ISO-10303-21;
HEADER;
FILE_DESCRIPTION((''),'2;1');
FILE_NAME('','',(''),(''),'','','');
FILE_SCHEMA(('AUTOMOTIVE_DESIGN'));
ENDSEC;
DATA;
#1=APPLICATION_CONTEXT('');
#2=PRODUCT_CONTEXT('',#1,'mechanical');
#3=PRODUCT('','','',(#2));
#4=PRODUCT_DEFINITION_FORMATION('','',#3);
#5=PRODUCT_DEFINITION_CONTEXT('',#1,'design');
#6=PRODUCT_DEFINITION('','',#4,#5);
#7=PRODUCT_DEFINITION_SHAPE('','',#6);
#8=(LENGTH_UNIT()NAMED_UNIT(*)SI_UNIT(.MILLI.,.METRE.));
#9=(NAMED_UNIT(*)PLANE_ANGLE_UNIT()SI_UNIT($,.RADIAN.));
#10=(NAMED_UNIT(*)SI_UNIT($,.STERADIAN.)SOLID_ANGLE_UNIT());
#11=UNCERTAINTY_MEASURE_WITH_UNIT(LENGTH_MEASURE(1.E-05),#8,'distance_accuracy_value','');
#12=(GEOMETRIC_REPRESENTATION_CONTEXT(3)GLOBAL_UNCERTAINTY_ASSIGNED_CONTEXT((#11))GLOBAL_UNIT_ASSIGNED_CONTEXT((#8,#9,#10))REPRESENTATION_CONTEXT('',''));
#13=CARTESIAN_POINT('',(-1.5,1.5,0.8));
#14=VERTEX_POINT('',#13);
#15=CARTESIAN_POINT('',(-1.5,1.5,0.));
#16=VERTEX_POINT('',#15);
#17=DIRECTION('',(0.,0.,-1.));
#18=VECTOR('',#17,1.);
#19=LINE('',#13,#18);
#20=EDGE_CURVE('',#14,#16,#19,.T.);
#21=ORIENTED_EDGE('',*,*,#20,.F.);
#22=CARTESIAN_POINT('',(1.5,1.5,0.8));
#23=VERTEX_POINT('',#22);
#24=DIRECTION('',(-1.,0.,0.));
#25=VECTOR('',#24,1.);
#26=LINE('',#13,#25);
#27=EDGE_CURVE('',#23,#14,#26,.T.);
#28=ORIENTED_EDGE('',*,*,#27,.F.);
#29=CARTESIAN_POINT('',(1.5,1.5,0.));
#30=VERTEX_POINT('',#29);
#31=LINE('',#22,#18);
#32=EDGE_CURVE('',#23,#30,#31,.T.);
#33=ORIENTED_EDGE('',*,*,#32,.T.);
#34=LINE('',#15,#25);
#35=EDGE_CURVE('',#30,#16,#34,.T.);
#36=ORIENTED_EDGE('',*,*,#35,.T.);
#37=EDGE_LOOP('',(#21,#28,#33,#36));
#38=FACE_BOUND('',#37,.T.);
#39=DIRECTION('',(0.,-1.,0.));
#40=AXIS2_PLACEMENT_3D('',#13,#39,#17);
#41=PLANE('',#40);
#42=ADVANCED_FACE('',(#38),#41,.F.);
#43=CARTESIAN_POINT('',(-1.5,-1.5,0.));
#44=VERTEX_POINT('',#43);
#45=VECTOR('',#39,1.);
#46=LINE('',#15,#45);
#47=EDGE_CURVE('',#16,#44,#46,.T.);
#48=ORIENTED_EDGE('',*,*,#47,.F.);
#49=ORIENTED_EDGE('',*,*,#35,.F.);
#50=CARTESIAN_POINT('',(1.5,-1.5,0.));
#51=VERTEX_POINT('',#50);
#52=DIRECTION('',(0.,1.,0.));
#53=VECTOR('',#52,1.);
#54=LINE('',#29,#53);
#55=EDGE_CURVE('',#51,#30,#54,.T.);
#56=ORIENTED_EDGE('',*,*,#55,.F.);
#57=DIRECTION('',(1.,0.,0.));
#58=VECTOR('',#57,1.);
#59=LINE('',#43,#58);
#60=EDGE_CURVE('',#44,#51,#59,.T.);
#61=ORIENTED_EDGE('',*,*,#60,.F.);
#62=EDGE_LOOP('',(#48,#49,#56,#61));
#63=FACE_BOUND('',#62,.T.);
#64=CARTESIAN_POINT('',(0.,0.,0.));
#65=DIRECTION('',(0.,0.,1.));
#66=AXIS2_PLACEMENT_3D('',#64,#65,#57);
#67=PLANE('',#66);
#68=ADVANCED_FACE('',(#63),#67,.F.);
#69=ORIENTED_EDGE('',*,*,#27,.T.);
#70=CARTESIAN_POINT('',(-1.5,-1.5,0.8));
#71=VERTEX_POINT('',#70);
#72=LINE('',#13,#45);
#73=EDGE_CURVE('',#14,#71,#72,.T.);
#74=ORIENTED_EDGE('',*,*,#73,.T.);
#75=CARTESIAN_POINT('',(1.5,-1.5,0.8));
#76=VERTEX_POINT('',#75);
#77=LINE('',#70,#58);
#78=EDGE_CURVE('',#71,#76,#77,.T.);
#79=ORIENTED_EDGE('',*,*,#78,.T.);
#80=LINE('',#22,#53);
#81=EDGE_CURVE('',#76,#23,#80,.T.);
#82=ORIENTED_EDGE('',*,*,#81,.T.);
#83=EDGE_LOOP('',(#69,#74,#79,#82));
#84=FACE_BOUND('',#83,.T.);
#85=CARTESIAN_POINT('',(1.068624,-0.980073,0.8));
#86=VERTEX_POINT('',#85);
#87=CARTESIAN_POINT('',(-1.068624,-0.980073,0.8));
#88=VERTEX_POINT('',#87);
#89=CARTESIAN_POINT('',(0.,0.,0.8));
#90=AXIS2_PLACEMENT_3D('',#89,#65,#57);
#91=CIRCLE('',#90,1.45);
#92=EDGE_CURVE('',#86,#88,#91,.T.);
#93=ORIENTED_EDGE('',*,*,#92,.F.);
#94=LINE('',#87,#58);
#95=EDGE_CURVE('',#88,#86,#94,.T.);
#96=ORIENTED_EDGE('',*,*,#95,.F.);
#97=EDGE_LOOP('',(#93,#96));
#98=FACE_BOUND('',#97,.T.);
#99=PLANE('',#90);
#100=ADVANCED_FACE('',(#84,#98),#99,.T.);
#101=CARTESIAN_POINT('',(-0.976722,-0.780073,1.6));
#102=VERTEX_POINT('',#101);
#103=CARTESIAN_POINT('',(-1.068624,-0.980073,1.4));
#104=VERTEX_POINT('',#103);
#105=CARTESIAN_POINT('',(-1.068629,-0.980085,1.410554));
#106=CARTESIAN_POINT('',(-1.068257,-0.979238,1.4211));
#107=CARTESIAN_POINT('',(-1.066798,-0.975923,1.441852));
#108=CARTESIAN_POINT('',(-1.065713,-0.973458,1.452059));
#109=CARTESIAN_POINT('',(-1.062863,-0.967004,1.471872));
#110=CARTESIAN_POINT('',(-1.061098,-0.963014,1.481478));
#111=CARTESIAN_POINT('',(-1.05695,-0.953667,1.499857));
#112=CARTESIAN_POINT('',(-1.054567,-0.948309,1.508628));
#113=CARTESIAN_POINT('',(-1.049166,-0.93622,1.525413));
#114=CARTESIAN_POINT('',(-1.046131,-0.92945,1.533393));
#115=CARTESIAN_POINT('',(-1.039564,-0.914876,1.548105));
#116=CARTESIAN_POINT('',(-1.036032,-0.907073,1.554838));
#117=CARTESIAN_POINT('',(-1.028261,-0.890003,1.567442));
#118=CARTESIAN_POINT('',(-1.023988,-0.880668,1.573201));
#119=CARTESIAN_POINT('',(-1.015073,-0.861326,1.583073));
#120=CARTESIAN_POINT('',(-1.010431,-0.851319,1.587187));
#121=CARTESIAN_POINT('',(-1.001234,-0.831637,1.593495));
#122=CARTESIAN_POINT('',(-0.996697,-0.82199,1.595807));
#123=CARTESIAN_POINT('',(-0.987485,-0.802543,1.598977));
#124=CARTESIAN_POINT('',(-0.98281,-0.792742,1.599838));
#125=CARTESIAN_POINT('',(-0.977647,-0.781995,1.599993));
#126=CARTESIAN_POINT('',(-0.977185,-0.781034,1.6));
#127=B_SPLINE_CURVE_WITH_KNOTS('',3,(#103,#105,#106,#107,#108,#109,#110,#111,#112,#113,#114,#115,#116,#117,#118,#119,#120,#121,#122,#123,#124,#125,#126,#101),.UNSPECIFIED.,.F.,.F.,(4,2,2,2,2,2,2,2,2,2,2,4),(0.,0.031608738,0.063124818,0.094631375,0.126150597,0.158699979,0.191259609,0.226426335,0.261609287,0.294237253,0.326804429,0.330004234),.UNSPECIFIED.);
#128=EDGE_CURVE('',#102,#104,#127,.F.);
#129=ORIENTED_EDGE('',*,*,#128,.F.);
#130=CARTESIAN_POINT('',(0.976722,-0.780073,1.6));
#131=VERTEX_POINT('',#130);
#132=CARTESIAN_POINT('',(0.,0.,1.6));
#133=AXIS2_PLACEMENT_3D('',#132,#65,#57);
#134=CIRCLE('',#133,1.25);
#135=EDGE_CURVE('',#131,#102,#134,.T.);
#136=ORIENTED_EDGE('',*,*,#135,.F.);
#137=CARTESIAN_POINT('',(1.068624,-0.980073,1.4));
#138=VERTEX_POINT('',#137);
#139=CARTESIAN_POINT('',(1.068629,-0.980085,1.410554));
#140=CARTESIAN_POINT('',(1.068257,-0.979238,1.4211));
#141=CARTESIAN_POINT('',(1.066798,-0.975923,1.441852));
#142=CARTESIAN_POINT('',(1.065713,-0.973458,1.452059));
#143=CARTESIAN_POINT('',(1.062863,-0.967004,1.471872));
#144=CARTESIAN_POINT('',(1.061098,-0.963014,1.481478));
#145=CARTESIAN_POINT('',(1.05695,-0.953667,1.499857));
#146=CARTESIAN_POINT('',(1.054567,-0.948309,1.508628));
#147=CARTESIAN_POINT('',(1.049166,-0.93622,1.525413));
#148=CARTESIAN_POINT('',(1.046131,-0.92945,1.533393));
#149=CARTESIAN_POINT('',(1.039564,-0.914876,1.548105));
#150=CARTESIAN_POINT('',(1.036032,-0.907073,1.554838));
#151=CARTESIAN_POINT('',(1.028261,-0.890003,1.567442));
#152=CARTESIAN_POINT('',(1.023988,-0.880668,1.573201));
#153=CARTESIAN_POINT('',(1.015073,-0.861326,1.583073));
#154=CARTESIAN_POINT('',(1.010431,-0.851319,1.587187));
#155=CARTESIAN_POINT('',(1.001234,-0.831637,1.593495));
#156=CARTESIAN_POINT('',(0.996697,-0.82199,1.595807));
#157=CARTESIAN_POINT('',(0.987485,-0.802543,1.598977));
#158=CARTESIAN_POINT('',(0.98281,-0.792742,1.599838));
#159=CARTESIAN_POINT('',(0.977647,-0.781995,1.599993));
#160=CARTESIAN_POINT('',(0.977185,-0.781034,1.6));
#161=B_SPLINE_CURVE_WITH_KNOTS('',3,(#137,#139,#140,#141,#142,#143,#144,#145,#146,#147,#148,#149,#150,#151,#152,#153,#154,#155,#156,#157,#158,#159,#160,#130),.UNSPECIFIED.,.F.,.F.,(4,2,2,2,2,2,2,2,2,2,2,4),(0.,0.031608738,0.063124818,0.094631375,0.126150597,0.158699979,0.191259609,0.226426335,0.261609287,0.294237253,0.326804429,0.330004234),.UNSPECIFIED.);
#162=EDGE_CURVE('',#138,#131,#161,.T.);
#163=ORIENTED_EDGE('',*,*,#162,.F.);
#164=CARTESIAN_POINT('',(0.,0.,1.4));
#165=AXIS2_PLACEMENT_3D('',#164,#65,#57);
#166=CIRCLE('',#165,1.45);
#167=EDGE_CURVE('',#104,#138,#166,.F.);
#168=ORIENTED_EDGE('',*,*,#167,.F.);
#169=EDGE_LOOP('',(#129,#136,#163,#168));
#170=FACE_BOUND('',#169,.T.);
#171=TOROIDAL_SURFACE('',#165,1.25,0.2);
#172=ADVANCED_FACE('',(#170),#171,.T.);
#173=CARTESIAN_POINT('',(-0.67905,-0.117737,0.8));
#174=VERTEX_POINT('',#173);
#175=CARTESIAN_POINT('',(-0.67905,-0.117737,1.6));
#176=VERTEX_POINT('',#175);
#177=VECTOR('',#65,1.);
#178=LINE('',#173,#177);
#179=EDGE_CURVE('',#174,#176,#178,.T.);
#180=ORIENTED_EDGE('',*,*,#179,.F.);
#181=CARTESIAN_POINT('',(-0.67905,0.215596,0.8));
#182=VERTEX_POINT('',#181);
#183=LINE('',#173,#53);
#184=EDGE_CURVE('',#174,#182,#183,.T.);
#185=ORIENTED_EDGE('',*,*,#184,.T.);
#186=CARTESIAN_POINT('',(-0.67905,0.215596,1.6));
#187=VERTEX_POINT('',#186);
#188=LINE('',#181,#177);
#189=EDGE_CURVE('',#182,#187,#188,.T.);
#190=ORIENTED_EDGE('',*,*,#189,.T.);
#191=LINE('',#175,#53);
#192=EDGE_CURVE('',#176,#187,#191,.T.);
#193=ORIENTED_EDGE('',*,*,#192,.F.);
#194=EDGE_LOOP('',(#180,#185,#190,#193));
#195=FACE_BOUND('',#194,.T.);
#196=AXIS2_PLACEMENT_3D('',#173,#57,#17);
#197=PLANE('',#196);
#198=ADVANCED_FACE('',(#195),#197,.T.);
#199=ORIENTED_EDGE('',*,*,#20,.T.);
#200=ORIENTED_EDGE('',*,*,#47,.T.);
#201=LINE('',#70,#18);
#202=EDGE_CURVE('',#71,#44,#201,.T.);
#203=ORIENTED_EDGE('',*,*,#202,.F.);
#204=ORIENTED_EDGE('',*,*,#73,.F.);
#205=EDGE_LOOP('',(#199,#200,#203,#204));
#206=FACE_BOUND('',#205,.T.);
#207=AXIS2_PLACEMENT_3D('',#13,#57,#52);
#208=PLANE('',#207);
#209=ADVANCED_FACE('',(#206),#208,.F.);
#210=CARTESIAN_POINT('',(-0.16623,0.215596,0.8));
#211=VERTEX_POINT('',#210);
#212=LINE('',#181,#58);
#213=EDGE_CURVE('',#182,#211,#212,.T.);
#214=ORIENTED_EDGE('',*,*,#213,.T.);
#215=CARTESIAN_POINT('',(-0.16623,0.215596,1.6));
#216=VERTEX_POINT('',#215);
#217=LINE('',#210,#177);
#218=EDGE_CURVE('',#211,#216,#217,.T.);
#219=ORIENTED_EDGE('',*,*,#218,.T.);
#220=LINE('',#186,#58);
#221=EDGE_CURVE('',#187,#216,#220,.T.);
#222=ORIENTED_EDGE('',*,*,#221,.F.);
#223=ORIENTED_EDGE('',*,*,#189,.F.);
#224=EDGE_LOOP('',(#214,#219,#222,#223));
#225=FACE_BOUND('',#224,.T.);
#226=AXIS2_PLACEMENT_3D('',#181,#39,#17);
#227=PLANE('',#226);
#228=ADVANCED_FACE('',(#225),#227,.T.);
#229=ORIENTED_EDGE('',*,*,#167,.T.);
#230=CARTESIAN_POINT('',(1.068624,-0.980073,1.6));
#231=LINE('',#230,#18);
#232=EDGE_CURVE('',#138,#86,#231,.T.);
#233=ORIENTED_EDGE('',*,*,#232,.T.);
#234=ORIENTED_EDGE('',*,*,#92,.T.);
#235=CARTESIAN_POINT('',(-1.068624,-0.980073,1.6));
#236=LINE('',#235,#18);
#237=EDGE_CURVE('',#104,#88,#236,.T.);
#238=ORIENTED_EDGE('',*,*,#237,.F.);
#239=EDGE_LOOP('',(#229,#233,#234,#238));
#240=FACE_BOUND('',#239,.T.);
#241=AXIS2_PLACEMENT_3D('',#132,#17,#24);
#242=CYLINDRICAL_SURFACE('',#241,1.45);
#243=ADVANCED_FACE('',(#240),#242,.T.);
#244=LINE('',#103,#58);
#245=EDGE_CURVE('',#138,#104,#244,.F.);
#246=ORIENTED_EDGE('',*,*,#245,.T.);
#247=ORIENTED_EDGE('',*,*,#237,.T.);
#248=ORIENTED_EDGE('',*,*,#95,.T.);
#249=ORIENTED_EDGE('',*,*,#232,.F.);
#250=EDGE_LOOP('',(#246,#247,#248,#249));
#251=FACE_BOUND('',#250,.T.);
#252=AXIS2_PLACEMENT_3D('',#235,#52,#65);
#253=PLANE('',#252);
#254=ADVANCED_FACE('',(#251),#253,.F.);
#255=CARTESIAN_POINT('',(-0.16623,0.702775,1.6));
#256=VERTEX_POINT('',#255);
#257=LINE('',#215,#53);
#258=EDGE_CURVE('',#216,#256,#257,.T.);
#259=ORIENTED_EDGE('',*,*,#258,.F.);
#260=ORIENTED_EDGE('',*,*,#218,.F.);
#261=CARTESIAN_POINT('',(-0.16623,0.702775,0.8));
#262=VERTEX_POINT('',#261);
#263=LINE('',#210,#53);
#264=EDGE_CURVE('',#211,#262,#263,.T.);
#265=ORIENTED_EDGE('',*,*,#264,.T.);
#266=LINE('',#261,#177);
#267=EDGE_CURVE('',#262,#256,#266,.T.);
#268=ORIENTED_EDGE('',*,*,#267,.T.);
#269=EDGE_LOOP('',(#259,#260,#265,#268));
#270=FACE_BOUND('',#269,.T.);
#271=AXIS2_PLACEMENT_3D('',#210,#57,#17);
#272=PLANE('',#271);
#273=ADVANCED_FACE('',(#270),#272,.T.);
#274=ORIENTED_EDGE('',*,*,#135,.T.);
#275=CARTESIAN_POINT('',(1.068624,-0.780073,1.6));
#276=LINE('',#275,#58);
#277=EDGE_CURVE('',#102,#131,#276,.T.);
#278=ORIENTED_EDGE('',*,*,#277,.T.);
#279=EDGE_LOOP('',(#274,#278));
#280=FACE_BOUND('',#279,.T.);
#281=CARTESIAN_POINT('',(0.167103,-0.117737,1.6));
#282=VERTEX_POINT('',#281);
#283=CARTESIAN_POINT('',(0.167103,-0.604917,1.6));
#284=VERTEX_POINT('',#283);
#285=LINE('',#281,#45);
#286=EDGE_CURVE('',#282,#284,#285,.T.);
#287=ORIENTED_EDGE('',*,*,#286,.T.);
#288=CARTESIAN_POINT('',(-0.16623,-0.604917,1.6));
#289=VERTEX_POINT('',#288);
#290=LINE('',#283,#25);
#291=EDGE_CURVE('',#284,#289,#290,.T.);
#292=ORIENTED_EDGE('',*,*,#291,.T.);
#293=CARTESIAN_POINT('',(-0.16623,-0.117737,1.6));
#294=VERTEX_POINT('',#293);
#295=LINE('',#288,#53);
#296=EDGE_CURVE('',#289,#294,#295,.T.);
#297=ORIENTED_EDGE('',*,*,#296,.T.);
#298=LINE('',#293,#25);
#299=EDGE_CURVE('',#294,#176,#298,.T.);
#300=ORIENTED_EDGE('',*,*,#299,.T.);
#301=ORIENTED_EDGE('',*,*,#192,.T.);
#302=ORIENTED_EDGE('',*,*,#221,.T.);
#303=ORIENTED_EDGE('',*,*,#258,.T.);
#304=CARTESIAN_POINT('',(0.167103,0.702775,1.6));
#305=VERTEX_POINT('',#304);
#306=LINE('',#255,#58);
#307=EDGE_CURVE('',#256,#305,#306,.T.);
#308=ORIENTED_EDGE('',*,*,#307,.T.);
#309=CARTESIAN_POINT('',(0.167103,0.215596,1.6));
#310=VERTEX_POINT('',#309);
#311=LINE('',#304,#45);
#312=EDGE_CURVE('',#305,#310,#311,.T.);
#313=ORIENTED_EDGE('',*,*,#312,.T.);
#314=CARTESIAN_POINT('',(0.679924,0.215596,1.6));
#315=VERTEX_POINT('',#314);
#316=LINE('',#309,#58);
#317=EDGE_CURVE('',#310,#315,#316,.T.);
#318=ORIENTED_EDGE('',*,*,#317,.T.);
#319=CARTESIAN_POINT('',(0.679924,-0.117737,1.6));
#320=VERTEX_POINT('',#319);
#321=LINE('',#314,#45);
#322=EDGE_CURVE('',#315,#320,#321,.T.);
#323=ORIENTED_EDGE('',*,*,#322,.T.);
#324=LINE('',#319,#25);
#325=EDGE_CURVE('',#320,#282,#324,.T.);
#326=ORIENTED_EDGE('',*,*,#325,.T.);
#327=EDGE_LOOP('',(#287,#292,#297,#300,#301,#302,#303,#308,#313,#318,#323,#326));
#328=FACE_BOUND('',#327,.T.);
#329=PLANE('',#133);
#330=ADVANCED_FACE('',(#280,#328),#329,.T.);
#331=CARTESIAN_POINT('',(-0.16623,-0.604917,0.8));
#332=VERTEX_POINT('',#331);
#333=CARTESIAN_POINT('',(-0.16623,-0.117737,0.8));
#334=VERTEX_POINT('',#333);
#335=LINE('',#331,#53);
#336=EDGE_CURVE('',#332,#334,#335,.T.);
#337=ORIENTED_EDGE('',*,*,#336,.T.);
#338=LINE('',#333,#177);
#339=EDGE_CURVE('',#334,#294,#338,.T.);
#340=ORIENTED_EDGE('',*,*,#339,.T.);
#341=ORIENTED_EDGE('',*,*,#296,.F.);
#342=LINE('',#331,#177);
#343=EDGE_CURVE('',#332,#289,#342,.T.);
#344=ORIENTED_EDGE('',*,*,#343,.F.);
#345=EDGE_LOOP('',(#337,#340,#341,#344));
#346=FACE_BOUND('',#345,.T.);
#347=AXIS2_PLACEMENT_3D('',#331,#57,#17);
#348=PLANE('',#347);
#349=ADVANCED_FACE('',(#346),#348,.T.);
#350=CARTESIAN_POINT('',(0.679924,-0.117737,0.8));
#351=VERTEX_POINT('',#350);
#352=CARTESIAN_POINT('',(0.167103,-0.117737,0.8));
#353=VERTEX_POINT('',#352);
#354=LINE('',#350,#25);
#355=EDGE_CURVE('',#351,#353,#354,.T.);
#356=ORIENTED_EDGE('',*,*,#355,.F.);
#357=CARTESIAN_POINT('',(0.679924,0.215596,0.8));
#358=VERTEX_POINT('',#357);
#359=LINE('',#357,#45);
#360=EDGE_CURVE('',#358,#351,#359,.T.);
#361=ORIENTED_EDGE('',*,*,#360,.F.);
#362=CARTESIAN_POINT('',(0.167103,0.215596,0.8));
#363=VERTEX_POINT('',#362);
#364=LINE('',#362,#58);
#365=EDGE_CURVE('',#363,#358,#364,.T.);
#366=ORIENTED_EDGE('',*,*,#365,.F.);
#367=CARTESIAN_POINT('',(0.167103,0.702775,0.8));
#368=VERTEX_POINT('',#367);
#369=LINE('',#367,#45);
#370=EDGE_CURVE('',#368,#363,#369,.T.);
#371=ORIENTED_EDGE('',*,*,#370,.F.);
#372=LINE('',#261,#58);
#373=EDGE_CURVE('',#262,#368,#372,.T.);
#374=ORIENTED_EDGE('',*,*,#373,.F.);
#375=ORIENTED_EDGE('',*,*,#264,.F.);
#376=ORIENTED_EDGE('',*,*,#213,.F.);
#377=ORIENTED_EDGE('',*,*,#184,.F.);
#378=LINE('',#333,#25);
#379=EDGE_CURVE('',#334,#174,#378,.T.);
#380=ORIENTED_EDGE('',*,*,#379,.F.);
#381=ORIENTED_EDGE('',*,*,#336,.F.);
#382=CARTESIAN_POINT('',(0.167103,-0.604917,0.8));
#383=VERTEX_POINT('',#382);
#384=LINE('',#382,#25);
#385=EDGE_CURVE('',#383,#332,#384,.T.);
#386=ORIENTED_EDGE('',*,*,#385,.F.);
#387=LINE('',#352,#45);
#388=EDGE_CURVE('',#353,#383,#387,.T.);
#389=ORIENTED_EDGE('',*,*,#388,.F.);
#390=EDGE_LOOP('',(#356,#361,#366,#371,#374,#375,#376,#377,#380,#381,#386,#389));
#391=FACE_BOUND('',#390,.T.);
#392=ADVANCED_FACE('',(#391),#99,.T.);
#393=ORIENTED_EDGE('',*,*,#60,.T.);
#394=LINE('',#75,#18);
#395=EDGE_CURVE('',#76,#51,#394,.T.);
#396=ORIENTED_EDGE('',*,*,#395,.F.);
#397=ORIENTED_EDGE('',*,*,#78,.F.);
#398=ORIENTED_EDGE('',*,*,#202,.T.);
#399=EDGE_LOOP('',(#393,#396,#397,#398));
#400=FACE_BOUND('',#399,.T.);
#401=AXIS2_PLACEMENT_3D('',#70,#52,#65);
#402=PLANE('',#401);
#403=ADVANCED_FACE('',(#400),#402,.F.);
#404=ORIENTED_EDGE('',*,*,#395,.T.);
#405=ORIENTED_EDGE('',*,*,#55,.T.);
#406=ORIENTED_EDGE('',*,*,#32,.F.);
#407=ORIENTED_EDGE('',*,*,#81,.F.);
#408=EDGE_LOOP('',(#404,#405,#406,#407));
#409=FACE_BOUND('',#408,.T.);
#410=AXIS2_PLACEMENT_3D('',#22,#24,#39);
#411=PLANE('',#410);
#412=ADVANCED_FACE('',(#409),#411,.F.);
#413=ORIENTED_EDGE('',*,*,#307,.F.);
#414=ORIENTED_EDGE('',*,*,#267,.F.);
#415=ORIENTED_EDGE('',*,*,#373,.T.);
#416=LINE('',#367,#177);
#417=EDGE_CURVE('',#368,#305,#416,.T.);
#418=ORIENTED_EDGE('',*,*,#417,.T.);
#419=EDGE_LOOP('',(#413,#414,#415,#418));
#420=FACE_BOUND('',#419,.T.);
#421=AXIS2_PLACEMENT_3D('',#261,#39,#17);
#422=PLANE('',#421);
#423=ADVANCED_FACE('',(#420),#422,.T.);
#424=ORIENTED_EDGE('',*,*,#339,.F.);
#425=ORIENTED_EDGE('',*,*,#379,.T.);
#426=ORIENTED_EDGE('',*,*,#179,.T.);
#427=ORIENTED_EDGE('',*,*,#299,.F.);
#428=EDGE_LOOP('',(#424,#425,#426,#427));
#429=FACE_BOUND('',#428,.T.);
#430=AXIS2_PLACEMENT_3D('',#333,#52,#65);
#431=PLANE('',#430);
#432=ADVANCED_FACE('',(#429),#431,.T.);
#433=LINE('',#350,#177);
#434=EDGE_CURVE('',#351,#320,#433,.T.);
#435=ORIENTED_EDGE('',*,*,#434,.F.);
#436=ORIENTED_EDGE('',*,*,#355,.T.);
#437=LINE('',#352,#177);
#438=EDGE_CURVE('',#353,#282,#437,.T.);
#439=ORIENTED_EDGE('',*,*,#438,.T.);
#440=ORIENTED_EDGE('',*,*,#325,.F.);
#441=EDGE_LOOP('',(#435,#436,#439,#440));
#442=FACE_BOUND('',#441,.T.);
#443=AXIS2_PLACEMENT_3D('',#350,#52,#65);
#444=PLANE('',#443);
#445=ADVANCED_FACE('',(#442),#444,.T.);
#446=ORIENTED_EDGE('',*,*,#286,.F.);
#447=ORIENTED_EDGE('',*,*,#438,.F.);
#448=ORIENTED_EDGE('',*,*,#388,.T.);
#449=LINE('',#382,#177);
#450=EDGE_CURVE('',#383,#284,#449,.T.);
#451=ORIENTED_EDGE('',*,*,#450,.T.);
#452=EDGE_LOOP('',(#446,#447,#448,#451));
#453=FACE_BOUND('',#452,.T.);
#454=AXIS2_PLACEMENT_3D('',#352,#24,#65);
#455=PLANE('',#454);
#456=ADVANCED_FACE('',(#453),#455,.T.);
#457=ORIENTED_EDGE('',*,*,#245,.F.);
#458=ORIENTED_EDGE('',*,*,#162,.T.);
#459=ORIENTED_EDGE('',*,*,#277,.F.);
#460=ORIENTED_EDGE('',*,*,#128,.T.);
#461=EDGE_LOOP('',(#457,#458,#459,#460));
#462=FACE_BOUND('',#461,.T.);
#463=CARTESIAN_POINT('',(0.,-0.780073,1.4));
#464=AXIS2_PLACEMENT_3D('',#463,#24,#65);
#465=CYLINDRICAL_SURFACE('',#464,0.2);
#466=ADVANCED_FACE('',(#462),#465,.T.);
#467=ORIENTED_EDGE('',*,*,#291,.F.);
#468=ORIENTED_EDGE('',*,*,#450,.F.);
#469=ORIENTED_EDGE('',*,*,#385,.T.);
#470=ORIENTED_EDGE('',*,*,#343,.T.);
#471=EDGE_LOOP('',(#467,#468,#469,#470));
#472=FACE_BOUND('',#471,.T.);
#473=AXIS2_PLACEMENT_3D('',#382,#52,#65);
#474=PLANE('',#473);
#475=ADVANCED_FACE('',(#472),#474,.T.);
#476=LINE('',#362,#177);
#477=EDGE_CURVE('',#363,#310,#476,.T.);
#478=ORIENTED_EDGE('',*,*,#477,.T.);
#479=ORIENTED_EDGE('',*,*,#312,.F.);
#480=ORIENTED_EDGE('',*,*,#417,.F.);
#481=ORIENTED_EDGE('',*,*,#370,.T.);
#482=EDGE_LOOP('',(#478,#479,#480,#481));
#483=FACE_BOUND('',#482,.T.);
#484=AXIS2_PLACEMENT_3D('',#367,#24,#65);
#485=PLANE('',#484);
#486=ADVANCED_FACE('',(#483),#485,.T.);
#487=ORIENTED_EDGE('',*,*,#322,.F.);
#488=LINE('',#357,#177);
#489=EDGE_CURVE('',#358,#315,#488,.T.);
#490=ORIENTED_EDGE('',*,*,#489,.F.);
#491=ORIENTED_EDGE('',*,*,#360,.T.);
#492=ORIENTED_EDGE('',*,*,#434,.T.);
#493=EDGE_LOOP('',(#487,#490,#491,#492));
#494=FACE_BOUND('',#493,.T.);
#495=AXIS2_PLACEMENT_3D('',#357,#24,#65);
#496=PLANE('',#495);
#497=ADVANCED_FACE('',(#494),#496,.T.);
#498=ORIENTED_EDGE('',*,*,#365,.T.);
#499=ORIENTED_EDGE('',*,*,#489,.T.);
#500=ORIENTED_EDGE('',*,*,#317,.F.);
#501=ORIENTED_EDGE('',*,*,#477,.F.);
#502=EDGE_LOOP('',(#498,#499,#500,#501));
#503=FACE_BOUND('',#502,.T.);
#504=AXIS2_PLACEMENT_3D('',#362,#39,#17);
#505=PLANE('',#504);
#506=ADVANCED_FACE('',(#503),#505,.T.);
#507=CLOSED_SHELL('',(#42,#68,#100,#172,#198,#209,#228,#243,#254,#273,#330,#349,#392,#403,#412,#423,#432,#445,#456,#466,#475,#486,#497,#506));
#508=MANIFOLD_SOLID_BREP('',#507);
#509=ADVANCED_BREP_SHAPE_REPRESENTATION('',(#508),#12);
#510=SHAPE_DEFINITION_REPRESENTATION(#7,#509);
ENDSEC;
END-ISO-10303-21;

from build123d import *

# Parameters (mm, degrees)
SKETCH1_W           = 3
SKETCH1_H           = 3
BOSS_EXTRUDE1_DEPTH = 0.8
BOSS_EXTRUDE2_DEPTH = 0.8
CUT_EXTRUDE1_DEPTH  = 0.8
FILLET1_R           = 0.2


with BuildPart() as part:
    # Sketch1 → Boss-Extrude1 (new body)
    with BuildSketch(Plane.XY):
        Rectangle(SKETCH1_W, SKETCH1_H)
    extrude(amount=BOSS_EXTRUDE1_DEPTH)

    # Sketch2 → Boss-Extrude2 (add)
    with BuildSketch(Plane.XY.offset(0.8)):
        with BuildLine():
            Line((-1.068624141, -0.980072674), (1.068624141, -0.980072674))
            ThreePointArc((1.068624141, -0.980072674), (0, 1.45), (-1.068624141, -0.980072674))
        make_face()
    extrude(amount=BOSS_EXTRUDE2_DEPTH)

    # Sketch3 → Cut-Extrude1 (cut)
    with BuildSketch(Plane.XY.offset(1.6)):
        Polygon((-0.166229868, 0.215595899), (-0.166229868, 0.702775387), (0.167103465, 0.702775387), (0.167103465, 0.215595899), (0.679923978, 0.215595899), (0.679923978, -0.117737434), (0.167103465, -0.117737434), (0.167103465, -0.604916921), (-0.166229868, -0.604916921), (-0.166229868, -0.117737434), (-0.679050381, -0.117737434), (-0.679050381, 0.215595899), align=None)
    extrude(amount=-CUT_EXTRUDE1_DEPTH, mode=Mode.SUBTRACT)

    # Fillet1
    fillet1_edges = [part.edges().sort_by_distance(p)[0] for p in [
        (0, 1.45, 1.6),
        (0, -0.980072674, 1.6),
    ]]
    fillet(fillet1_edges, radius=FILLET1_R)


solid = part.part
